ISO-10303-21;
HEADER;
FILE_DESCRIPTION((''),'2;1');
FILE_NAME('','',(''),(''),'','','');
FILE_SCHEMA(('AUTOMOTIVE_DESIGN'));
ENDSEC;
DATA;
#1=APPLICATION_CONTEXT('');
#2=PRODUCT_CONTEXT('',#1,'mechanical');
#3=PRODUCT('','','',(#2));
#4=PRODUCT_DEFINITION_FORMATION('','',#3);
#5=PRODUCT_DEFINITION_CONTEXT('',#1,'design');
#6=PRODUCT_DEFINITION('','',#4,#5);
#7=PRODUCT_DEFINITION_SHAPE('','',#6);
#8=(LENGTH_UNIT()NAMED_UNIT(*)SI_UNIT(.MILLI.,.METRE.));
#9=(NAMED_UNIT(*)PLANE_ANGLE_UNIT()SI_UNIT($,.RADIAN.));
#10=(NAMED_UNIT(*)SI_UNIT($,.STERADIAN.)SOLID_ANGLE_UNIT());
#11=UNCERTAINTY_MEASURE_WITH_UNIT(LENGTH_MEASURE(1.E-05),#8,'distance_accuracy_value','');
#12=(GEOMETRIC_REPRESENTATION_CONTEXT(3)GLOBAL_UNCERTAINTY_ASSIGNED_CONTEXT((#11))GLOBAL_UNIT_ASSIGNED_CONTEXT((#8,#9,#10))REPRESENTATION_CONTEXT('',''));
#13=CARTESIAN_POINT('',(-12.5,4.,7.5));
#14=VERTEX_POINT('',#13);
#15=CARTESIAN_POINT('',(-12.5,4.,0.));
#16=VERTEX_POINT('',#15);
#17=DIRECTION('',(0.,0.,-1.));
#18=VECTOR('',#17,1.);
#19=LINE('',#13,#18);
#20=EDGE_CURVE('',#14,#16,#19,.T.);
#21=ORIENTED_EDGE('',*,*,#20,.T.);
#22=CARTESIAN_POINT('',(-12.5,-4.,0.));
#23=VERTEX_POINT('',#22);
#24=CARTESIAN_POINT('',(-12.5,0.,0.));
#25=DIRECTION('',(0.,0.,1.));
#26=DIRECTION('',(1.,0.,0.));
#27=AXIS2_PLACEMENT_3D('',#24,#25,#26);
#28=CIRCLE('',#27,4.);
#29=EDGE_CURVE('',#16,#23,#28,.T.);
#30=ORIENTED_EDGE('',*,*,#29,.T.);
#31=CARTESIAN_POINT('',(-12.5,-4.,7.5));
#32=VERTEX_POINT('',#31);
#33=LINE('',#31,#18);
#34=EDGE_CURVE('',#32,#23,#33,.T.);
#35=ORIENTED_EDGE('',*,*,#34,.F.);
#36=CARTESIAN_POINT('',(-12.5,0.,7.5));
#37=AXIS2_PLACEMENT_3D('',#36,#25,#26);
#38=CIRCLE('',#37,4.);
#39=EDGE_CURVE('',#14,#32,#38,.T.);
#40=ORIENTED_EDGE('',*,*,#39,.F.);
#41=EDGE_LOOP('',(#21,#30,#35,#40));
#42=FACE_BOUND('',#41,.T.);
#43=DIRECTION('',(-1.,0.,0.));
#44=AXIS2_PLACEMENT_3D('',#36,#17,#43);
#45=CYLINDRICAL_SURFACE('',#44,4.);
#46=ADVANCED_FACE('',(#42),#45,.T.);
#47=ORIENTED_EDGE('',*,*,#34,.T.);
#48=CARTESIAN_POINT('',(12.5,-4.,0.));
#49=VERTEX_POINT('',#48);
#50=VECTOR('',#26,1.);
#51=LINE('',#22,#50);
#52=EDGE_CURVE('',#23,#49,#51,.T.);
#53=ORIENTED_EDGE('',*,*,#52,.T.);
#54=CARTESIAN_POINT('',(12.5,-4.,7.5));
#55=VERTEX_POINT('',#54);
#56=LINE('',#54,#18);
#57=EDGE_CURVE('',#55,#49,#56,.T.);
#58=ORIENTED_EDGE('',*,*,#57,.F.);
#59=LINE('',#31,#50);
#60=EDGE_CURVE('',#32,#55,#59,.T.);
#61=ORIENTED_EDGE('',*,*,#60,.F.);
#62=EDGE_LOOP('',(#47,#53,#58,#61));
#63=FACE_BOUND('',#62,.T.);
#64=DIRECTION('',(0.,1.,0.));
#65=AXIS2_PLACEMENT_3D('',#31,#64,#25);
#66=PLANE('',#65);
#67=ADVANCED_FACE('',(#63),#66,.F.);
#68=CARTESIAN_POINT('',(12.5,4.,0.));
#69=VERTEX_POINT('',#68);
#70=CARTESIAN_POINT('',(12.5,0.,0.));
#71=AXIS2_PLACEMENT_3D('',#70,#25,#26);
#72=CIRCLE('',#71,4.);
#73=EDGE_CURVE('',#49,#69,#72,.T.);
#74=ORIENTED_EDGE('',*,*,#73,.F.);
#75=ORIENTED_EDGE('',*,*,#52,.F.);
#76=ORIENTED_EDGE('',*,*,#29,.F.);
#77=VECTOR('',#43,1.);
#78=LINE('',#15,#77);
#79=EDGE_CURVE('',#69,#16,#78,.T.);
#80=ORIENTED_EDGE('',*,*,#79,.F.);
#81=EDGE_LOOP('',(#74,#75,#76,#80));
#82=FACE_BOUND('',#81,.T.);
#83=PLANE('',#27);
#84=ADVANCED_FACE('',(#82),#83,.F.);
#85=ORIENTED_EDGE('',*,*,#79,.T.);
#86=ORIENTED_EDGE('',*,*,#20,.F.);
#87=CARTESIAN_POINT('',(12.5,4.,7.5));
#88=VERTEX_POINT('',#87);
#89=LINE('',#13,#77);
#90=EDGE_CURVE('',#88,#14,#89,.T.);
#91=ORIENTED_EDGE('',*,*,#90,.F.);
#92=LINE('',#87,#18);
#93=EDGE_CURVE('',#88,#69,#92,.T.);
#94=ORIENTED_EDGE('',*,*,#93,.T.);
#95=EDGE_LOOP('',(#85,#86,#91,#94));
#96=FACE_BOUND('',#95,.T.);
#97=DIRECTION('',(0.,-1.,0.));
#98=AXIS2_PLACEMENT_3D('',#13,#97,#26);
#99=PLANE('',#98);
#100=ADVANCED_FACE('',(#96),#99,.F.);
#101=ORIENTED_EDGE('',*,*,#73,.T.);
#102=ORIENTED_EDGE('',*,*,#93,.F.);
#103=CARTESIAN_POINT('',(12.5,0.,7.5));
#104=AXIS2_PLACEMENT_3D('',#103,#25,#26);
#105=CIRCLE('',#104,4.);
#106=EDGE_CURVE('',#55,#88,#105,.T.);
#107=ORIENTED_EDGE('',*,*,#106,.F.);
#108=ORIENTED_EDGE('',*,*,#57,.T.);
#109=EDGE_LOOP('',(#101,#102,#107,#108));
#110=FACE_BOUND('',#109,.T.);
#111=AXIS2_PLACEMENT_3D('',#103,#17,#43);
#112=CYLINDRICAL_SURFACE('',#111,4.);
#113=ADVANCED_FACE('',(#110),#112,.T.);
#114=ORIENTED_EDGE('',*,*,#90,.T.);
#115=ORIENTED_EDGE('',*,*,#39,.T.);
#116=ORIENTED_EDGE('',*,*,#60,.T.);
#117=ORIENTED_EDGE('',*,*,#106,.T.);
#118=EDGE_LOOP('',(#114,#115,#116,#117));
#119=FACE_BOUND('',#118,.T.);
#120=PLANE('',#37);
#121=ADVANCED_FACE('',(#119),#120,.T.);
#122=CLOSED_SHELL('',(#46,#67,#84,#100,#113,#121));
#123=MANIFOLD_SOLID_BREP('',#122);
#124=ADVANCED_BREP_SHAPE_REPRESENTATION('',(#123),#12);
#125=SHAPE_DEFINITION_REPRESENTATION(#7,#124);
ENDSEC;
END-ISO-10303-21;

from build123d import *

# Parameters (mm, degrees)
BOSS_EXTRUDE1_DEPTH = 7.5


with BuildPart() as part:
    # Sketch1 → Boss-Extrude1 (new body)
    with BuildSketch(Plane.XY):
        with BuildLine():
            Line((-12.5, 4), (12.5, 4))
            ThreePointArc((12.5, 4), (16.5, 0), (12.5, -4))
            Line((12.5, -4), (-12.5, -4))
            ThreePointArc((-12.5, -4), (-16.5, 0), (-12.5, 4))
        make_face()
    extrude(amount=BOSS_EXTRUDE1_DEPTH)


solid = part.part
